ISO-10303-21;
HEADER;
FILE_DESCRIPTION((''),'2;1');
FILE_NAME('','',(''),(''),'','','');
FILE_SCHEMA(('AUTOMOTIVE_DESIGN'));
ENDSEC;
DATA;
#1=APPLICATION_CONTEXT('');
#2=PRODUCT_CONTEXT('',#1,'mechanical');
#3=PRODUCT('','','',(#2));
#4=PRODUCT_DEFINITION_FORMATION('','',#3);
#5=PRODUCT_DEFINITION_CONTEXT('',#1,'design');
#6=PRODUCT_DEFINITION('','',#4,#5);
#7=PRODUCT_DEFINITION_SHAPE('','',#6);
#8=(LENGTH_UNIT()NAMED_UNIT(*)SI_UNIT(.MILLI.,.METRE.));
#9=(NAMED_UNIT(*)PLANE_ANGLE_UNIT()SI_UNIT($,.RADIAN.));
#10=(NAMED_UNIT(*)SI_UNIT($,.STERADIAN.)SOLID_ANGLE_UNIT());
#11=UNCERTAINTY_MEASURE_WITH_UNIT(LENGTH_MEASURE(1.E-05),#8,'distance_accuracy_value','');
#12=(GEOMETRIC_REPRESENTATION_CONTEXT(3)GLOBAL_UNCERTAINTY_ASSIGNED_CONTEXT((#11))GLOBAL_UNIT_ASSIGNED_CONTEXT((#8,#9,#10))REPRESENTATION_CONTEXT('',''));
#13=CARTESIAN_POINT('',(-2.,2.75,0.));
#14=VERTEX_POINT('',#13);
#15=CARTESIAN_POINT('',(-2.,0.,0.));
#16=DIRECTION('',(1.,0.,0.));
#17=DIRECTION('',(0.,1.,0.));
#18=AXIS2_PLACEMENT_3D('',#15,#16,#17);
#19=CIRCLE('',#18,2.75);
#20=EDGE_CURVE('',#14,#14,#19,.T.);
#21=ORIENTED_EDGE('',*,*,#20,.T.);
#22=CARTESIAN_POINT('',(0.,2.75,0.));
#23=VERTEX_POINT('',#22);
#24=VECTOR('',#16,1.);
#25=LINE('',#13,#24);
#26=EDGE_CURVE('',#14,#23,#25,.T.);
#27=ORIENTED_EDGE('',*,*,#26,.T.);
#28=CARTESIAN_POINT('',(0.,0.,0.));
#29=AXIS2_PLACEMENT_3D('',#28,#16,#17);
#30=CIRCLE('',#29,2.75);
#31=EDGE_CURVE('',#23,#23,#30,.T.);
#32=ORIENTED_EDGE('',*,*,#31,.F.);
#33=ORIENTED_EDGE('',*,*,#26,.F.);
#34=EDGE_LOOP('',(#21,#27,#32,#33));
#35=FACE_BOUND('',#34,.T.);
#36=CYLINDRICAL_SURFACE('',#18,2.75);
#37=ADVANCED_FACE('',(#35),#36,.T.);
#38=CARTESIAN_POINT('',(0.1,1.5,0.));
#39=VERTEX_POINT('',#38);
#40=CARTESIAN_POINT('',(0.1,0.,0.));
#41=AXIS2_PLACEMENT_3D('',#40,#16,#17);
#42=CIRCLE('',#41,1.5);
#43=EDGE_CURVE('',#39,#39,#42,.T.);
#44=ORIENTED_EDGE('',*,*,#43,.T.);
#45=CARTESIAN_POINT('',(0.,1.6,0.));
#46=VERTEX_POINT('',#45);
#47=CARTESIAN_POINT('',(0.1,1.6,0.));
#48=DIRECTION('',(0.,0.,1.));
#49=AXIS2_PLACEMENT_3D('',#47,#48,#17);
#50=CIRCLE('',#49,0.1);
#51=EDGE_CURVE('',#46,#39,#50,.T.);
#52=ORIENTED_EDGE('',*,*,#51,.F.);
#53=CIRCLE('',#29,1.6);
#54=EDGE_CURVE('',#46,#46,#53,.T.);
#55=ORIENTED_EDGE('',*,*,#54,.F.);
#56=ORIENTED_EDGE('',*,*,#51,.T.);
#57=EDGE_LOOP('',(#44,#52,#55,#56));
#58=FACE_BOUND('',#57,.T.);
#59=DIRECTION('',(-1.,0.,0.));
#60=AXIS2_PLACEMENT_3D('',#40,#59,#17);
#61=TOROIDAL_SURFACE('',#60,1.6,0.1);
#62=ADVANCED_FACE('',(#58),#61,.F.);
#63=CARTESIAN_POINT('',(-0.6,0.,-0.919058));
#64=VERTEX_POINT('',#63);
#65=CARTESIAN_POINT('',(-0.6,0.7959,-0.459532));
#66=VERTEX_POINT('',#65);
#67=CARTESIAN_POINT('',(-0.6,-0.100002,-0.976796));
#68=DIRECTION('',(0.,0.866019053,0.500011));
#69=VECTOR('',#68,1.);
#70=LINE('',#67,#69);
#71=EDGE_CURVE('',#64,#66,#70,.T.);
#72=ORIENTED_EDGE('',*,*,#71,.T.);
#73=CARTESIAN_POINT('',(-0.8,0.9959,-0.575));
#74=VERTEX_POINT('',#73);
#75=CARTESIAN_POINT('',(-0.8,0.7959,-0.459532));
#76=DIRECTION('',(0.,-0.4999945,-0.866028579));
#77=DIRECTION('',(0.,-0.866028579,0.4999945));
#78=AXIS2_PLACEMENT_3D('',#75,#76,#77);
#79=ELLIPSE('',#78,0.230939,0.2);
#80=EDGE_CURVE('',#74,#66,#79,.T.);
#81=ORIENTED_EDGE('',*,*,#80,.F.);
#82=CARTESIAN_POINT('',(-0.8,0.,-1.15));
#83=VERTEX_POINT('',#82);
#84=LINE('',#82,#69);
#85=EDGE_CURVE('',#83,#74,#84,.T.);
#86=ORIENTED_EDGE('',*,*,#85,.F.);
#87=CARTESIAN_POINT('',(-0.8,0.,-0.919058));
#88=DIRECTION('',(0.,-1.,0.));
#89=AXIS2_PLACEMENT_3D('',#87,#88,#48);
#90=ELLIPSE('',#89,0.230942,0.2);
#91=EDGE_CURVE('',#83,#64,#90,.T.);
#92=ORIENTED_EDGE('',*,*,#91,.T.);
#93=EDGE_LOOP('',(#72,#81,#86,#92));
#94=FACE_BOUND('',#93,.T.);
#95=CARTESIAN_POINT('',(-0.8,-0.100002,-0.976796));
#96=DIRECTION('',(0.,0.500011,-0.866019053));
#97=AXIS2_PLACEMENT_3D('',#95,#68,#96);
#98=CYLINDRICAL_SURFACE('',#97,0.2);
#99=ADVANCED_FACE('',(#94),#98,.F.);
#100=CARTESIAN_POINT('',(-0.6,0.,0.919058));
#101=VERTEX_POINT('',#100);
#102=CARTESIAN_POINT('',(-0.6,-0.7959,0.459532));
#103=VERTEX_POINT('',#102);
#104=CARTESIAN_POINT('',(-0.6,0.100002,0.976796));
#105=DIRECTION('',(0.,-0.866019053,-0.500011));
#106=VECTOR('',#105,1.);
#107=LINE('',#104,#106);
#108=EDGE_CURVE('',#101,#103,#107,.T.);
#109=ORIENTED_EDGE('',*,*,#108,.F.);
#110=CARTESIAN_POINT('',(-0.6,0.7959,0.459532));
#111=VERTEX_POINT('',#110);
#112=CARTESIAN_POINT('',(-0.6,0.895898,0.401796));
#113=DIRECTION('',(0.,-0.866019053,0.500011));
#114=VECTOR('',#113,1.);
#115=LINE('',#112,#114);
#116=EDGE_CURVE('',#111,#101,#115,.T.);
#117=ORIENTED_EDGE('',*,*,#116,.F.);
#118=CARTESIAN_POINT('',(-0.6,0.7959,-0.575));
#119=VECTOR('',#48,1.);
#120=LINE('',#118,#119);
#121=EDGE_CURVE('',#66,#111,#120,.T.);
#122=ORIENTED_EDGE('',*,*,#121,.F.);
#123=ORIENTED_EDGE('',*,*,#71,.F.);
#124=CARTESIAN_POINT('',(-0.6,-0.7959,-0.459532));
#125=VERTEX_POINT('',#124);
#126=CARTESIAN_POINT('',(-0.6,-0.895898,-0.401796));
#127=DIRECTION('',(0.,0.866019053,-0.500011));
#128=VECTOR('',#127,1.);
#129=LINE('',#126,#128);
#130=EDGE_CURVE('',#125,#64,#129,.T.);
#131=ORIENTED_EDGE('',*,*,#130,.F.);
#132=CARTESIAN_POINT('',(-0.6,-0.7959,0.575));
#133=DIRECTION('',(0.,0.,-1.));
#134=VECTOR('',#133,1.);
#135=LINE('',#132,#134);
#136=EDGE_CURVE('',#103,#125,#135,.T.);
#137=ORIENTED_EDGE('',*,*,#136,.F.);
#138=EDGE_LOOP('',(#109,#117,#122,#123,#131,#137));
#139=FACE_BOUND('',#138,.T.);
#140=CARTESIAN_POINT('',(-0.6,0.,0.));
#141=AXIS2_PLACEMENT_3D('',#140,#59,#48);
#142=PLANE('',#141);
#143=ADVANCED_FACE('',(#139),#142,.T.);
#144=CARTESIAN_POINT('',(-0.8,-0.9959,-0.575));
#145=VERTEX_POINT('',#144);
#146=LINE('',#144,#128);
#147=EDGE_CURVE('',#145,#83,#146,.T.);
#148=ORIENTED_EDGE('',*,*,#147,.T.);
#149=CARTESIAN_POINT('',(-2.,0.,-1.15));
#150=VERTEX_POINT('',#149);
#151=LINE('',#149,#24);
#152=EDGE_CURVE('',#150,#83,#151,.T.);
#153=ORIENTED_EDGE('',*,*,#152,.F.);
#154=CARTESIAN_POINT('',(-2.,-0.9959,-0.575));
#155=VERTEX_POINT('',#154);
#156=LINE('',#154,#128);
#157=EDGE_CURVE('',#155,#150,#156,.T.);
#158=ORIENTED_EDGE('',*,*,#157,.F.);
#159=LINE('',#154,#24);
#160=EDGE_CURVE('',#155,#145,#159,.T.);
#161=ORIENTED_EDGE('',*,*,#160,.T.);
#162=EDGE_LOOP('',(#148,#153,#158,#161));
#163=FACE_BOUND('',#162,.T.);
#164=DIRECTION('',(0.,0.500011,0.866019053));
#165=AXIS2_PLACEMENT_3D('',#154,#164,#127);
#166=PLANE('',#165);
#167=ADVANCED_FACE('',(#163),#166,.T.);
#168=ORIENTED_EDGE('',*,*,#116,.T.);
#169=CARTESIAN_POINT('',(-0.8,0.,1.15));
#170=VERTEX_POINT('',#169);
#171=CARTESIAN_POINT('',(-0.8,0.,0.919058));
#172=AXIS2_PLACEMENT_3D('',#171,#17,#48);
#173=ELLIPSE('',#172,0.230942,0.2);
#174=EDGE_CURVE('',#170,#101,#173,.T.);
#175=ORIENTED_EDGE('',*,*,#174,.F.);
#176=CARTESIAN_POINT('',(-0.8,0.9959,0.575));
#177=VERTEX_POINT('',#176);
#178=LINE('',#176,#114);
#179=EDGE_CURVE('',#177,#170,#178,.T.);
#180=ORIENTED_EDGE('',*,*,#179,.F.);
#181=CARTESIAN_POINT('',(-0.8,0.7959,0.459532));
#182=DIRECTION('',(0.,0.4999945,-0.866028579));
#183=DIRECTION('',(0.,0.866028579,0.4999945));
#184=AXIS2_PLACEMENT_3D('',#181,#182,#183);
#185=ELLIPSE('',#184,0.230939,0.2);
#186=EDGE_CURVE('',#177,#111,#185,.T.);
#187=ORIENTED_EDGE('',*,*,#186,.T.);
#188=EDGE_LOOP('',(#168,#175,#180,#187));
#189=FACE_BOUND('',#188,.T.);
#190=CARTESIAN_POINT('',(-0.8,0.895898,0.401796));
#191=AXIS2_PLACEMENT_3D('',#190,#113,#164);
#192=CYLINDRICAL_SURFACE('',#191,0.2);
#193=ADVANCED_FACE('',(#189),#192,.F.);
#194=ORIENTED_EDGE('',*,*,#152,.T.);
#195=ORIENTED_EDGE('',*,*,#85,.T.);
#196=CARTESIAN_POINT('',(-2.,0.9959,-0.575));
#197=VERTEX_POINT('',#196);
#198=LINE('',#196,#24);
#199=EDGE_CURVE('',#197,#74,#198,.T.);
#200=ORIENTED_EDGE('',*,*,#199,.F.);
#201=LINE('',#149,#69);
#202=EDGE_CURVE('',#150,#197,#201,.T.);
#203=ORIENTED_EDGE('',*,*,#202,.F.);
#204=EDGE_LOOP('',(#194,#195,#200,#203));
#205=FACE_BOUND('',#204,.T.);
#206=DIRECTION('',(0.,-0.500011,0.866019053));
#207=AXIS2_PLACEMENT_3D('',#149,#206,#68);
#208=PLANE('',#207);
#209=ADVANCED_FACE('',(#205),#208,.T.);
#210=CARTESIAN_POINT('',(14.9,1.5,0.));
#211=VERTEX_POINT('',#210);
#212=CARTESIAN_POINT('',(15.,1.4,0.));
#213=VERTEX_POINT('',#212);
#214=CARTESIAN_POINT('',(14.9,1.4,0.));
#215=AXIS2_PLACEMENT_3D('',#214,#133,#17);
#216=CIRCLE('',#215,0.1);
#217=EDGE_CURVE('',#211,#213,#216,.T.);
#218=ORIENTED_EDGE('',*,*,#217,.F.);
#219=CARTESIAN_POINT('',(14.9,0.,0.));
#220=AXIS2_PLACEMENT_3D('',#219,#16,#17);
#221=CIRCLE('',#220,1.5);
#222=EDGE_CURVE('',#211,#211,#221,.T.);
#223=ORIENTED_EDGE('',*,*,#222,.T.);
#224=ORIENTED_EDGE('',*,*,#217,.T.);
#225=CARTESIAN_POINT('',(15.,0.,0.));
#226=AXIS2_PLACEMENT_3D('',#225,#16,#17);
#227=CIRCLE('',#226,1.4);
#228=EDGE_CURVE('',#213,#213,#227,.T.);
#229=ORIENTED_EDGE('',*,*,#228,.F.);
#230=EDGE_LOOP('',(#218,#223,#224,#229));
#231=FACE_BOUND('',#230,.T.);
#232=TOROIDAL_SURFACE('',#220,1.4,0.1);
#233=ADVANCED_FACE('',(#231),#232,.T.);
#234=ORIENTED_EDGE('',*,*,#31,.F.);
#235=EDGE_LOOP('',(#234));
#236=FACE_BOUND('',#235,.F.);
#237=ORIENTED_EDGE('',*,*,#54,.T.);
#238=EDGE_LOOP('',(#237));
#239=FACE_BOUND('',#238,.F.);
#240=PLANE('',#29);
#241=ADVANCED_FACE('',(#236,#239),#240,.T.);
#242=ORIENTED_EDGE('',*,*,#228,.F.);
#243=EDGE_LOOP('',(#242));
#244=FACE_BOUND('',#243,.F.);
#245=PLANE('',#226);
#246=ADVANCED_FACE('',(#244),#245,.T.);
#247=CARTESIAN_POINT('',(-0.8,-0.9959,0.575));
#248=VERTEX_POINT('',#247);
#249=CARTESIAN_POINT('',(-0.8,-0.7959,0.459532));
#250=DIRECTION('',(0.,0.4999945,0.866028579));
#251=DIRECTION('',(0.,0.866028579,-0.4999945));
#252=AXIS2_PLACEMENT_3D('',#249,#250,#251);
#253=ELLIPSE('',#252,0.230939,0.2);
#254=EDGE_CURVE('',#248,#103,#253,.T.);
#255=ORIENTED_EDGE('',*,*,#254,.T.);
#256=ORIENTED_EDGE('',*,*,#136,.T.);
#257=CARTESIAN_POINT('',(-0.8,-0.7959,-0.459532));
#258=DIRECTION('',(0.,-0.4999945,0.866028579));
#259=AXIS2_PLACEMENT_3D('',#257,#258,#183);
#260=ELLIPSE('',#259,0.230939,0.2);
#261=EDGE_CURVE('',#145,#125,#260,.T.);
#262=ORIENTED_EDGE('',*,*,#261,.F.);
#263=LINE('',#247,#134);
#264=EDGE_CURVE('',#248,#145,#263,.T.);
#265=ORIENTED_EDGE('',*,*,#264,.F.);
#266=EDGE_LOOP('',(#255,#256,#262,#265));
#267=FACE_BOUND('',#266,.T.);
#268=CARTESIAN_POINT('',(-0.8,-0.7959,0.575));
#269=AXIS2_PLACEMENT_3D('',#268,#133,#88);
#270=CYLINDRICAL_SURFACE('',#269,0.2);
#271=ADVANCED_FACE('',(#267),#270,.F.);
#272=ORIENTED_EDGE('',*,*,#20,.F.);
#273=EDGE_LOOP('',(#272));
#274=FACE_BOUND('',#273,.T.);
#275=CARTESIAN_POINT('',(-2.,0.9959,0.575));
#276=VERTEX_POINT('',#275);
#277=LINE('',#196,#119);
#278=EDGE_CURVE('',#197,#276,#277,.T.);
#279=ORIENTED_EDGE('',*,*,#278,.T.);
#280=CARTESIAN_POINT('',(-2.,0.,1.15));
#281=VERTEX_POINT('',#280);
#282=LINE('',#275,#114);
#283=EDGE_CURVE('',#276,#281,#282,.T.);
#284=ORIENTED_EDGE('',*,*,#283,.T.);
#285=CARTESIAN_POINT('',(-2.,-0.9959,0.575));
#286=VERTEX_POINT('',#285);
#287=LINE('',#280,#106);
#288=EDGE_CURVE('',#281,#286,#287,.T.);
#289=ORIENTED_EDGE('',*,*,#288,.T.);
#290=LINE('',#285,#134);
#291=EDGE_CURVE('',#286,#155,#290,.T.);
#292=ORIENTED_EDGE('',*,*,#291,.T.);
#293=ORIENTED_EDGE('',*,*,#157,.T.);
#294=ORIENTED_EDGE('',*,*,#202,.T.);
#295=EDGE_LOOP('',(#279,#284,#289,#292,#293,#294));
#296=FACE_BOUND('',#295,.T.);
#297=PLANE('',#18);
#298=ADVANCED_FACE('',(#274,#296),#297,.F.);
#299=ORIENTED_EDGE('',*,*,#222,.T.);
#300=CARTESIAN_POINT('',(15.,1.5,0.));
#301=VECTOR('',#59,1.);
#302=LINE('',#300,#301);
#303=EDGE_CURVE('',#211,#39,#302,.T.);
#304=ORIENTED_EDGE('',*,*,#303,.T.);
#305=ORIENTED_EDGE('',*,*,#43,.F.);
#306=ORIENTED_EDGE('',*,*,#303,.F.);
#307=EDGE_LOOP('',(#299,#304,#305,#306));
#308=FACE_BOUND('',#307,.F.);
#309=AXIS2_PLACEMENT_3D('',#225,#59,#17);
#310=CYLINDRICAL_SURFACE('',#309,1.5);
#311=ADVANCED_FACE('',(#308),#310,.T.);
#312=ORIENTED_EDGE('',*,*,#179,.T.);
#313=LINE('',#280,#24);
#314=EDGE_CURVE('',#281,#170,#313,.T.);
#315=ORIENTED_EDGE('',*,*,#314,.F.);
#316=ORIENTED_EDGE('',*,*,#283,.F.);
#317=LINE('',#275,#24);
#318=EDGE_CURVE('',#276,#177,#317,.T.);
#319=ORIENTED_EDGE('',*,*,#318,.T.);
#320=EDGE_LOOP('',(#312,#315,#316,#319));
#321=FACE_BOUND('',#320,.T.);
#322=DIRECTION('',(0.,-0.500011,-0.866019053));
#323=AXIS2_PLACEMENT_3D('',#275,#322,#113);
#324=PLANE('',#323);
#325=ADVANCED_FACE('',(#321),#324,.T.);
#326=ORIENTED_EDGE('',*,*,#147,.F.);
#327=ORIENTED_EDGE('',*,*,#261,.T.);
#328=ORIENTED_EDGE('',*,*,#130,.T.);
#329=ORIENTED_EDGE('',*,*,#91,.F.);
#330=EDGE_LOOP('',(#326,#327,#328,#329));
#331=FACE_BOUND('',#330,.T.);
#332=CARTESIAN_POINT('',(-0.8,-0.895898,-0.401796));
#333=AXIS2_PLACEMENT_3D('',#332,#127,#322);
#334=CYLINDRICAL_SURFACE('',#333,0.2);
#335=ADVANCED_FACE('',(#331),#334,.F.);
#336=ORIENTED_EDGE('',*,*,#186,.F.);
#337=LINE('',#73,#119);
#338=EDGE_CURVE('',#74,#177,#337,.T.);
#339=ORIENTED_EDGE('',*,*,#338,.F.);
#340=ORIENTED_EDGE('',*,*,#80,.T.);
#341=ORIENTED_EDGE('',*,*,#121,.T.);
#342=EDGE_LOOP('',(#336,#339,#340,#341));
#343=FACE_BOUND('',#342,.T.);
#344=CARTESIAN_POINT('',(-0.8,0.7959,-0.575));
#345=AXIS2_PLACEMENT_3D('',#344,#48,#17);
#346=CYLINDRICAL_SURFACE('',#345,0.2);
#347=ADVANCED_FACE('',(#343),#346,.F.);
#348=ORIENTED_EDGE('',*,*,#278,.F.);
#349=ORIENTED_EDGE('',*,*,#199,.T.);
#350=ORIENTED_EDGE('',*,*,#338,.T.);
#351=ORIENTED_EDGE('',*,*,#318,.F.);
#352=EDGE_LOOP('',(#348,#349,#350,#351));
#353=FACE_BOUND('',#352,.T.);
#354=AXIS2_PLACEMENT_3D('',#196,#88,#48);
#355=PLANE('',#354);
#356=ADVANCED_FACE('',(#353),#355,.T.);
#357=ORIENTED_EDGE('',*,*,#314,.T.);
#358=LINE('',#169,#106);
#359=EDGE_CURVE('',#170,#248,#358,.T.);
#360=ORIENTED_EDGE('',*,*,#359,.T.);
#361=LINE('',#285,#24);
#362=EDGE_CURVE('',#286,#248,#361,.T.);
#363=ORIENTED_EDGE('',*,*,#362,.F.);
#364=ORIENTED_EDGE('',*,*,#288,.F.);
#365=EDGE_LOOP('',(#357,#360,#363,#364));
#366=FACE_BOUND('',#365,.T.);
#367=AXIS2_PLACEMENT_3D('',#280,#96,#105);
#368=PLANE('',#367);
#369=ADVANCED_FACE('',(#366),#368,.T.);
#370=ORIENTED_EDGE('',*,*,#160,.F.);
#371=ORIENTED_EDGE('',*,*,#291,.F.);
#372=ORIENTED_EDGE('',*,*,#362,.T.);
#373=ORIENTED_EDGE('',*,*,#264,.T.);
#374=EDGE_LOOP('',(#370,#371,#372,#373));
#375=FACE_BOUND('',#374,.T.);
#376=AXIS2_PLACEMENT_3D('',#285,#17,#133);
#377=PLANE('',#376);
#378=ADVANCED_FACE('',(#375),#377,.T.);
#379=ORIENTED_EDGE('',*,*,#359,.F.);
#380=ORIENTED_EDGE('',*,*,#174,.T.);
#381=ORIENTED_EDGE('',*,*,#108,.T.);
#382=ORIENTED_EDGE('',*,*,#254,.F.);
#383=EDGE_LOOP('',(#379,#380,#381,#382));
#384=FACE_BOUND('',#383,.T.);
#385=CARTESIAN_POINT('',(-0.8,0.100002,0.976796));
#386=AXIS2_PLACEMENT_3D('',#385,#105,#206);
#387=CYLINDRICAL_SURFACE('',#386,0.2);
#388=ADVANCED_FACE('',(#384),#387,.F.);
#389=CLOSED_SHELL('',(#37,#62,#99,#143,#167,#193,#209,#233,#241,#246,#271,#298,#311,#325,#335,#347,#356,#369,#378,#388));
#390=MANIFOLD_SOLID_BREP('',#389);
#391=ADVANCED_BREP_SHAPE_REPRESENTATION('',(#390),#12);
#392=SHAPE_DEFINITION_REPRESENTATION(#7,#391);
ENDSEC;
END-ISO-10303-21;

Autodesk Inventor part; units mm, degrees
ref_plane "YZ Plane" through (0, 0, 0) normal (1, 0, 0) x (0, 1, 0)
ref_plane "XZ Plane" through (0, 0, 0) normal (0, 1, 0) x (-1, 0, 0)
ref_plane "XY Plane" through (0, 0, 0) normal (0, 0, 1) x (1, 0, 0)
sketch "スケッチ1" plane through (0, 0, 0) normal (0, 0, 1) x (1, 0, 0)
  line L0 (0, 0) -> (15, 0)
  line L1 (15, 0) -> (15, 1.5)
  line L2 (15, 1.5) -> (0, 1.5)
  line L3 (0, 1.5) -> (0, 0)
  line L4 (0, 0) -> (0, 2.75)
  line L5 (0, 0) -> (-2, 0)
  line L6 (-2, 0) -> (0, 0)
  line L7 (-2, 0) -> (-2, 1.15)
  line L8 (0, 0) -> (-2, 0)
  line L9 (-2, 0) -> (-2, 2.75)
  line L10 (-2, 2.75) -> (0, 2.75)
  line L11 (0, 2.75) -> (0, 0)
  dimension "d0" = 1.5
  dimension "d1" = 15
  dimension "d3" = 2
  dimension "d4" = 2.75
  dimension "d5" = 1.15
revolve "回転1" add sketch "スケッチ1" angle 360 about axis through (-2, 0, 0) along (1, 0, 0)
thread "ねじ1" size "M3x0.5" class "6g" standard "ANSI Metric M Profile" length 100
sketch "スケッチ2" plane through (-2, 0, 0) normal (-1, 0, 0) x (0, 0, 1)
  line L0 (-0.575, 0.9959) -> (0.575, 0.9959)
  line L1 (0.575, 0.9959) -> (1.15, 0)
  line L2 (1.15, 0) -> (0.575, -0.9959)
  line L3 (0.575, -0.9959) -> (-0.575, -0.9959)
  line L4 (-0.575, -0.9959) -> (-1.15, 0)
  line L5 (-1.15, 0) -> (-0.575, 0.9959)
  point P0 (0, 0)
  point P1 (0, 0)
  point P2 (0, 0)
  dimension "d10" = 1.15
  dimension "d11" = 1.9919
extrude "押し出し1" cut sketch "スケッチ2" against normal blind 1.4
fillet "フィレット1" radius 0.2 6 edges at (-0.6, 0.9959, 0) (-0.6, 0.498, 0.8625) (-0.6, 0.498, -0.8625) (-0.6, -0.498, -0.8625) (-0.6, -0.9959, 0) (-0.6, -0.498, 0.8625)
fillet "フィレット2" radius 0.1 1 edges at (0, -1.5, 0)
fillet "フィレット3" radius 0.1 1 edges at (15, -1.5, 0)
properties part number "ネジキャップM3L15" material "鋼"
